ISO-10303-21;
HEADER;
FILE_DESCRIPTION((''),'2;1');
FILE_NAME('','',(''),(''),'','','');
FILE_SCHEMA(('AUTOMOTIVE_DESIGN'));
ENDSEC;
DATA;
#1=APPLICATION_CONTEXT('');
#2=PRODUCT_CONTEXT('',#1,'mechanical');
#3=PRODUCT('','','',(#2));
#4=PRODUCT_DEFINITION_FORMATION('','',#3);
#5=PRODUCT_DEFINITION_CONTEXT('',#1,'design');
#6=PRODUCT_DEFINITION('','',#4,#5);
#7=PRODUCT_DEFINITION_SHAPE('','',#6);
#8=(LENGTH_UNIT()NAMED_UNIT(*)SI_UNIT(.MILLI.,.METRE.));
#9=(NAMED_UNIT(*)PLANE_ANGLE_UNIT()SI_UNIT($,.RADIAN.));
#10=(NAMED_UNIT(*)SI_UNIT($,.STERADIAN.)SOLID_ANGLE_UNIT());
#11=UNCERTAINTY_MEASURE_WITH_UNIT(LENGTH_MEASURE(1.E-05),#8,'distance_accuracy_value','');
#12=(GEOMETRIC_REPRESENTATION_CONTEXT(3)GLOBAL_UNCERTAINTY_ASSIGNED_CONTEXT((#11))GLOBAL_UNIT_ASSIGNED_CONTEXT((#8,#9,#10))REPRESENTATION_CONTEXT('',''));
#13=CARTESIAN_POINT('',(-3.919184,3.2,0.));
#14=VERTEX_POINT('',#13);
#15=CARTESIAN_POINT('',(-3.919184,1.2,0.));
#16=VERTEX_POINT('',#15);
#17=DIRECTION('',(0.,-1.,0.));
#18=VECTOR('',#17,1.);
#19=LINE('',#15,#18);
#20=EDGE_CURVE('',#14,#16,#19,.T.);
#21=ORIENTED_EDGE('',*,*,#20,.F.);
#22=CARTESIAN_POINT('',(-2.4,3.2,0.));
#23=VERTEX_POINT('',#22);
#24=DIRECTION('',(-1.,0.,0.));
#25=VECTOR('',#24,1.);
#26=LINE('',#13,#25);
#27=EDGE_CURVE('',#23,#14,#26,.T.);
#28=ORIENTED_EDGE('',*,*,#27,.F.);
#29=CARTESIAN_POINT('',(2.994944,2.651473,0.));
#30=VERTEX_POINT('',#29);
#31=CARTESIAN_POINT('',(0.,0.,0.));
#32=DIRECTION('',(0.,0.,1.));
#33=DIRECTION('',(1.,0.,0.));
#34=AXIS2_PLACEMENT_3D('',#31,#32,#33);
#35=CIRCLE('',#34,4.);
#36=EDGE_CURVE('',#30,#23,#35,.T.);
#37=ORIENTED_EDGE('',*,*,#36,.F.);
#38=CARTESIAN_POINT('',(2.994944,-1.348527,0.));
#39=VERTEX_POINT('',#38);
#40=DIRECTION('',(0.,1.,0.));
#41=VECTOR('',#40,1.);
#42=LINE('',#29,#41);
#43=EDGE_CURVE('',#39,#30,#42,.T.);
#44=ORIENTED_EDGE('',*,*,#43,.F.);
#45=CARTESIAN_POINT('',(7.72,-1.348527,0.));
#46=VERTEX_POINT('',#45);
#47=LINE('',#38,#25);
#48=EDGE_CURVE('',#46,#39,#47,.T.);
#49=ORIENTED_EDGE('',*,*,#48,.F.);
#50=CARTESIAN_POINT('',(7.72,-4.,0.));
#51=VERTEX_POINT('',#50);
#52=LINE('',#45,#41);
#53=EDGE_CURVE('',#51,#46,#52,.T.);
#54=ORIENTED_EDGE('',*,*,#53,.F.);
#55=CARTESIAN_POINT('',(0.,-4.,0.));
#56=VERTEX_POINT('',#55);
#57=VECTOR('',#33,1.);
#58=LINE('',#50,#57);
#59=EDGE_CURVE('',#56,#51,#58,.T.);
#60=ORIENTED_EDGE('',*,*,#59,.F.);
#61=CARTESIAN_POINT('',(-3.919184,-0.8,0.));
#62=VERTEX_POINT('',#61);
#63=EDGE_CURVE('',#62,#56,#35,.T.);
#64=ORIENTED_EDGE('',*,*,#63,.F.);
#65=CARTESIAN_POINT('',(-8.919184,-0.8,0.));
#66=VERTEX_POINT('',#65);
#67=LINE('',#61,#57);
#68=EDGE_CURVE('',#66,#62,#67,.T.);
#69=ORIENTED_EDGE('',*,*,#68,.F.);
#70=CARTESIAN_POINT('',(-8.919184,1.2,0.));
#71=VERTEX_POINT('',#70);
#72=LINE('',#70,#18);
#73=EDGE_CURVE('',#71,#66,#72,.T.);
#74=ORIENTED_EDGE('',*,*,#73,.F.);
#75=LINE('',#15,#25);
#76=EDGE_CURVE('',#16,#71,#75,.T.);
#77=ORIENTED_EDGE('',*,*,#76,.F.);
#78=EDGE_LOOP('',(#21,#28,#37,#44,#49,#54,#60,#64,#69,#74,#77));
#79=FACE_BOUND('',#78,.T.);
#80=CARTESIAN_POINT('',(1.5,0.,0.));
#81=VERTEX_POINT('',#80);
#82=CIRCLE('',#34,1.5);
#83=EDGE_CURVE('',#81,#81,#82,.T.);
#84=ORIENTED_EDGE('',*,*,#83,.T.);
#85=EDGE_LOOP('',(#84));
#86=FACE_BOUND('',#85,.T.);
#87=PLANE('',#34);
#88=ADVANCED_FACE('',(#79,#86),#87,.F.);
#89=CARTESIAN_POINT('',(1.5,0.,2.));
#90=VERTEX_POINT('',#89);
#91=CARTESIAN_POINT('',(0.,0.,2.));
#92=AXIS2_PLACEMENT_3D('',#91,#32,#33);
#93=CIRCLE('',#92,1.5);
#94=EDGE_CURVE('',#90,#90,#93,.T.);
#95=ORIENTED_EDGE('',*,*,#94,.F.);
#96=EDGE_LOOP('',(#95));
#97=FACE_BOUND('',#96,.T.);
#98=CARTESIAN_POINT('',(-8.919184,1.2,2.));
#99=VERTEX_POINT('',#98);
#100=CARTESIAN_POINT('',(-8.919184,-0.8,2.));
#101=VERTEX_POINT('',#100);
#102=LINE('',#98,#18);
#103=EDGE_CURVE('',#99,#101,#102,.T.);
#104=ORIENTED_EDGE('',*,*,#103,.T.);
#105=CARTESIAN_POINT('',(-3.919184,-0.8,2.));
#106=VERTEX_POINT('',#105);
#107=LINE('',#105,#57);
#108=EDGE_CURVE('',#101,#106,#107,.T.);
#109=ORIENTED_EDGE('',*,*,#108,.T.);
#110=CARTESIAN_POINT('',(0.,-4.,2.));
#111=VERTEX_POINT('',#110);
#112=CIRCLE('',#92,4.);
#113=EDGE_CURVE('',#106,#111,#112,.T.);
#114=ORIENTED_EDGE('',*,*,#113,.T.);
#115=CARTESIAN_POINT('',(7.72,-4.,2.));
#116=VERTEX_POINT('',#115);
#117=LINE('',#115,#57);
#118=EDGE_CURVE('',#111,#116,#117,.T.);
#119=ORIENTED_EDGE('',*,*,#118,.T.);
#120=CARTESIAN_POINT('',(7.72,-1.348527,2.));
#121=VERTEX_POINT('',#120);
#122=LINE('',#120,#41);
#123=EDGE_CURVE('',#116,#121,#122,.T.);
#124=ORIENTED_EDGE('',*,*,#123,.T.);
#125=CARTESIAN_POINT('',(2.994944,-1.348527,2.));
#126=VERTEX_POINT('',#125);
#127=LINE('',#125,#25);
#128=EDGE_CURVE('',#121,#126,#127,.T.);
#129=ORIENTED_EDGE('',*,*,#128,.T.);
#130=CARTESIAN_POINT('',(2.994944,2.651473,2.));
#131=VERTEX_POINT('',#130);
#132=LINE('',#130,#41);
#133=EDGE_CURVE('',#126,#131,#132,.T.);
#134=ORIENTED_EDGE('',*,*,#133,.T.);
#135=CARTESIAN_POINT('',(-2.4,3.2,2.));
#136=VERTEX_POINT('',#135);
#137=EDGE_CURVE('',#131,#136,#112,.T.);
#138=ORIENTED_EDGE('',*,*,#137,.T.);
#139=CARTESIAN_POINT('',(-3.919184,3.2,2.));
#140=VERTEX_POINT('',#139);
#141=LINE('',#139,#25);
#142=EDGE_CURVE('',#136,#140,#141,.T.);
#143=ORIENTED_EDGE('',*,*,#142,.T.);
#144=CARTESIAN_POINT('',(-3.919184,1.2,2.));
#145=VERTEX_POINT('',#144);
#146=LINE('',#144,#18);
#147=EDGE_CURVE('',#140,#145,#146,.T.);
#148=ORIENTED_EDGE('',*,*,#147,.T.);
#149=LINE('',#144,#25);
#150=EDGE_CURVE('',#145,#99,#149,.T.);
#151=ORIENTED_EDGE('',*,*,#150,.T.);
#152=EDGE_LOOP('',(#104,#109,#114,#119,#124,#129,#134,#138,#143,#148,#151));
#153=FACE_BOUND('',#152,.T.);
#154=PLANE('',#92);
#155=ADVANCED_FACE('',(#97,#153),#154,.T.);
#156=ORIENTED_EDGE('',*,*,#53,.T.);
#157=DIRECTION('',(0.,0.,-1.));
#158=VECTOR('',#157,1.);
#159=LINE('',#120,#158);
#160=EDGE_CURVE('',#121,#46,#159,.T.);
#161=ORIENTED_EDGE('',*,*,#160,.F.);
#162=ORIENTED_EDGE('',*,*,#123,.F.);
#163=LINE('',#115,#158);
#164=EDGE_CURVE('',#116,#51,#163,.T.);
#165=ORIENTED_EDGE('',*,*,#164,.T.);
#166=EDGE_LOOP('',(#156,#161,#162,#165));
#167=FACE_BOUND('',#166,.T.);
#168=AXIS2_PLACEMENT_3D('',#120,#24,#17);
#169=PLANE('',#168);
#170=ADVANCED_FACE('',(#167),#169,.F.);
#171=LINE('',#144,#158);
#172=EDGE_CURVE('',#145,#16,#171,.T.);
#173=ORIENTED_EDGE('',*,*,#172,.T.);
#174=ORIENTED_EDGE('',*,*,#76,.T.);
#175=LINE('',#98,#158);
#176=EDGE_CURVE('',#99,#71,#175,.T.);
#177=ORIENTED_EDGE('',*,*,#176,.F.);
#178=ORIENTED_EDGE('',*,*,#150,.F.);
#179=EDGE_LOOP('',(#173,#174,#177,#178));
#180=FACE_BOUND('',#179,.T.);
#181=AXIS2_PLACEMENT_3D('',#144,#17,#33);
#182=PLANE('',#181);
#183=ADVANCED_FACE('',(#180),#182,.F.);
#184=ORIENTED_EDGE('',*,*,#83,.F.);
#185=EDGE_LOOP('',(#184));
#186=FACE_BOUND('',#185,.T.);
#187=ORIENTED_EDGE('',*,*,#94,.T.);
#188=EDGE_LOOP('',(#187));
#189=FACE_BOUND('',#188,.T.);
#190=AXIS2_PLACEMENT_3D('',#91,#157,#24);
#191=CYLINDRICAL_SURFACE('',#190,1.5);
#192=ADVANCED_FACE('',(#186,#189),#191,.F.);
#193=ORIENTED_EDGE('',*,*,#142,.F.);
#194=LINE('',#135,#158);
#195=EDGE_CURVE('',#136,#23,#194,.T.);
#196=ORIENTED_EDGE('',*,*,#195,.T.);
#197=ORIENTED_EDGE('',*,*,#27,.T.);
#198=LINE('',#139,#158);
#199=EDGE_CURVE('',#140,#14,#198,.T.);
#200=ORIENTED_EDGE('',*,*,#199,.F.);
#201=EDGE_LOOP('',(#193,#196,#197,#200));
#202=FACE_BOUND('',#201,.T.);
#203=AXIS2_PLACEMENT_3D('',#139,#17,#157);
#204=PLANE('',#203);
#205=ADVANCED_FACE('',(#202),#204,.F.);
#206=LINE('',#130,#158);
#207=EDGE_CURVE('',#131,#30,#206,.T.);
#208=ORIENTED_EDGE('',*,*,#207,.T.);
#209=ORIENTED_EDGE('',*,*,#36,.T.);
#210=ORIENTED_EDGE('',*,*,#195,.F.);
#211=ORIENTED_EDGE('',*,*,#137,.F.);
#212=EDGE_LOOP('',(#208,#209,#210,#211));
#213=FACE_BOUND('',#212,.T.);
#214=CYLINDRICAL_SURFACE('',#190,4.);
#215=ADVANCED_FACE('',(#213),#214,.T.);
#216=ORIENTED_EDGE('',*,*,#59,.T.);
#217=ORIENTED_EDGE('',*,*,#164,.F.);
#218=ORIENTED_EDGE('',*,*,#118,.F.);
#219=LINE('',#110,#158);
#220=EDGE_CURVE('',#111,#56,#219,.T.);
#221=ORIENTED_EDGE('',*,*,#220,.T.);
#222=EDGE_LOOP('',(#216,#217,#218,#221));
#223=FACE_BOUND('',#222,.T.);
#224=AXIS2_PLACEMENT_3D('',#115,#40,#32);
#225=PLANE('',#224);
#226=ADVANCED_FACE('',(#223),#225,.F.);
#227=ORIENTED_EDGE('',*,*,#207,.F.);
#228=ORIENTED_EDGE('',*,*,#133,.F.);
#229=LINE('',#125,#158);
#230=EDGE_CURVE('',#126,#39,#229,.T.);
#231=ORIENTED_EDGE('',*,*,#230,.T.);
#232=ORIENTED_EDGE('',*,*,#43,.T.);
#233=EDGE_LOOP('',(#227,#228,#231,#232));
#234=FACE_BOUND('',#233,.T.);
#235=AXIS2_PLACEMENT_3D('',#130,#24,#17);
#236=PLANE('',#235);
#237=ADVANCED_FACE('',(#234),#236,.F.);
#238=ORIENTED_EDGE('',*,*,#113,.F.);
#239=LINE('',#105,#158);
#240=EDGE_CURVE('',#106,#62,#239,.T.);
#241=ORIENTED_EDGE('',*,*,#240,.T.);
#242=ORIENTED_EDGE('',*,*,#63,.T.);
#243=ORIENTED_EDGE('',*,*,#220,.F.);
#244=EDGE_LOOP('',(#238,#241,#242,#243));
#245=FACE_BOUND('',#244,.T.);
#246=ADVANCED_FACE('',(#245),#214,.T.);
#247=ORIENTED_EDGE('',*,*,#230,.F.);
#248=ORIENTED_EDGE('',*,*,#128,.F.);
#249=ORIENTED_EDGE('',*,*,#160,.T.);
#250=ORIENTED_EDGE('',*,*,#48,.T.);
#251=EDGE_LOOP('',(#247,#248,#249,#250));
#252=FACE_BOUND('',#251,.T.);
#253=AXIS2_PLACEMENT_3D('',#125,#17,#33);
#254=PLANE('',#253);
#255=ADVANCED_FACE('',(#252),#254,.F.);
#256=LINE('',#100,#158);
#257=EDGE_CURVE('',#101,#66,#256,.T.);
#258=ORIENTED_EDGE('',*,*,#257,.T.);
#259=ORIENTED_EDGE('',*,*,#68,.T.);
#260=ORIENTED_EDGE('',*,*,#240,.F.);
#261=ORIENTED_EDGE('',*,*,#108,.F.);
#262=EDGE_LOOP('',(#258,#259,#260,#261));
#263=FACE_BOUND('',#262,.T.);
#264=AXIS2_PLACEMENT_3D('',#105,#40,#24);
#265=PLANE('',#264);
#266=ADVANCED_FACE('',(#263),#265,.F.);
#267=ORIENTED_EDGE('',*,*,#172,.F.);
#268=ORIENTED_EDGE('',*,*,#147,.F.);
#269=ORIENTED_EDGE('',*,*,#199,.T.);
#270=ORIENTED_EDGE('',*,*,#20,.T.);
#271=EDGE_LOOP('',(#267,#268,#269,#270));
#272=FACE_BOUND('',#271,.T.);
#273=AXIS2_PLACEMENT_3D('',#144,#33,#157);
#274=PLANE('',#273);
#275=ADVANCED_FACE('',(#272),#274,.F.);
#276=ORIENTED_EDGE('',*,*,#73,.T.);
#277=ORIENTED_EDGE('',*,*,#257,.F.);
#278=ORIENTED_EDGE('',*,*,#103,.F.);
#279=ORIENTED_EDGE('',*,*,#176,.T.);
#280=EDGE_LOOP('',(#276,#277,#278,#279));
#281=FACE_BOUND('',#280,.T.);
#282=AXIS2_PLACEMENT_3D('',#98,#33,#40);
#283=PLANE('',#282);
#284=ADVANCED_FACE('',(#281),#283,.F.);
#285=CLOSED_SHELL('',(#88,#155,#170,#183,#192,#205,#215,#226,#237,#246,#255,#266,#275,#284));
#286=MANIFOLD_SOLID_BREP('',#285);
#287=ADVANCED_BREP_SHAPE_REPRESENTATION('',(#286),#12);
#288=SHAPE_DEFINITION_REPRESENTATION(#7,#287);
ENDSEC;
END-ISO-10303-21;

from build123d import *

# Parameters (mm, degrees)
SKETCH1_R           = 1.5
BOSS_EXTRUDE1_DEPTH = 2


with BuildPart() as part:
    # Sketch1 → Boss-Extrude1 (new body)
    with BuildSketch(Plane.XY):
        with BuildLine():
            Line((7.72, -4), (0, -4))
            ThreePointArc((0, -4), (-2.529822128, -3.098386677), (-3.919183588, -0.8))
            Line((-3.919183588, -0.8), (-8.919183588, -0.8))
            Line((-8.919183588, -0.8), (-8.919183588, 1.2))
            Line((-8.919183588, 1.2), (-3.919183588, 1.2))
            Line((-3.919183588, 1.2), (-3.919183588, 3.2))
            Line((-3.919183588, 3.2), (-2.4, 3.2))
            ThreePointArc((-2.4, 3.2), (0.404610957, 3.979483631), (2.994944065, 2.651473185))
            Line((2.994944065, 2.651473185), (2.994944065, -1.348526815))
            Line((2.994944065, -1.348526815), (7.72, -1.348526815))
            Line((7.72, -1.348526815), (7.72, -4))
        make_face()
        Circle(SKETCH1_R, mode=Mode.SUBTRACT)
    extrude(amount=BOSS_EXTRUDE1_DEPTH)


solid = part.part
